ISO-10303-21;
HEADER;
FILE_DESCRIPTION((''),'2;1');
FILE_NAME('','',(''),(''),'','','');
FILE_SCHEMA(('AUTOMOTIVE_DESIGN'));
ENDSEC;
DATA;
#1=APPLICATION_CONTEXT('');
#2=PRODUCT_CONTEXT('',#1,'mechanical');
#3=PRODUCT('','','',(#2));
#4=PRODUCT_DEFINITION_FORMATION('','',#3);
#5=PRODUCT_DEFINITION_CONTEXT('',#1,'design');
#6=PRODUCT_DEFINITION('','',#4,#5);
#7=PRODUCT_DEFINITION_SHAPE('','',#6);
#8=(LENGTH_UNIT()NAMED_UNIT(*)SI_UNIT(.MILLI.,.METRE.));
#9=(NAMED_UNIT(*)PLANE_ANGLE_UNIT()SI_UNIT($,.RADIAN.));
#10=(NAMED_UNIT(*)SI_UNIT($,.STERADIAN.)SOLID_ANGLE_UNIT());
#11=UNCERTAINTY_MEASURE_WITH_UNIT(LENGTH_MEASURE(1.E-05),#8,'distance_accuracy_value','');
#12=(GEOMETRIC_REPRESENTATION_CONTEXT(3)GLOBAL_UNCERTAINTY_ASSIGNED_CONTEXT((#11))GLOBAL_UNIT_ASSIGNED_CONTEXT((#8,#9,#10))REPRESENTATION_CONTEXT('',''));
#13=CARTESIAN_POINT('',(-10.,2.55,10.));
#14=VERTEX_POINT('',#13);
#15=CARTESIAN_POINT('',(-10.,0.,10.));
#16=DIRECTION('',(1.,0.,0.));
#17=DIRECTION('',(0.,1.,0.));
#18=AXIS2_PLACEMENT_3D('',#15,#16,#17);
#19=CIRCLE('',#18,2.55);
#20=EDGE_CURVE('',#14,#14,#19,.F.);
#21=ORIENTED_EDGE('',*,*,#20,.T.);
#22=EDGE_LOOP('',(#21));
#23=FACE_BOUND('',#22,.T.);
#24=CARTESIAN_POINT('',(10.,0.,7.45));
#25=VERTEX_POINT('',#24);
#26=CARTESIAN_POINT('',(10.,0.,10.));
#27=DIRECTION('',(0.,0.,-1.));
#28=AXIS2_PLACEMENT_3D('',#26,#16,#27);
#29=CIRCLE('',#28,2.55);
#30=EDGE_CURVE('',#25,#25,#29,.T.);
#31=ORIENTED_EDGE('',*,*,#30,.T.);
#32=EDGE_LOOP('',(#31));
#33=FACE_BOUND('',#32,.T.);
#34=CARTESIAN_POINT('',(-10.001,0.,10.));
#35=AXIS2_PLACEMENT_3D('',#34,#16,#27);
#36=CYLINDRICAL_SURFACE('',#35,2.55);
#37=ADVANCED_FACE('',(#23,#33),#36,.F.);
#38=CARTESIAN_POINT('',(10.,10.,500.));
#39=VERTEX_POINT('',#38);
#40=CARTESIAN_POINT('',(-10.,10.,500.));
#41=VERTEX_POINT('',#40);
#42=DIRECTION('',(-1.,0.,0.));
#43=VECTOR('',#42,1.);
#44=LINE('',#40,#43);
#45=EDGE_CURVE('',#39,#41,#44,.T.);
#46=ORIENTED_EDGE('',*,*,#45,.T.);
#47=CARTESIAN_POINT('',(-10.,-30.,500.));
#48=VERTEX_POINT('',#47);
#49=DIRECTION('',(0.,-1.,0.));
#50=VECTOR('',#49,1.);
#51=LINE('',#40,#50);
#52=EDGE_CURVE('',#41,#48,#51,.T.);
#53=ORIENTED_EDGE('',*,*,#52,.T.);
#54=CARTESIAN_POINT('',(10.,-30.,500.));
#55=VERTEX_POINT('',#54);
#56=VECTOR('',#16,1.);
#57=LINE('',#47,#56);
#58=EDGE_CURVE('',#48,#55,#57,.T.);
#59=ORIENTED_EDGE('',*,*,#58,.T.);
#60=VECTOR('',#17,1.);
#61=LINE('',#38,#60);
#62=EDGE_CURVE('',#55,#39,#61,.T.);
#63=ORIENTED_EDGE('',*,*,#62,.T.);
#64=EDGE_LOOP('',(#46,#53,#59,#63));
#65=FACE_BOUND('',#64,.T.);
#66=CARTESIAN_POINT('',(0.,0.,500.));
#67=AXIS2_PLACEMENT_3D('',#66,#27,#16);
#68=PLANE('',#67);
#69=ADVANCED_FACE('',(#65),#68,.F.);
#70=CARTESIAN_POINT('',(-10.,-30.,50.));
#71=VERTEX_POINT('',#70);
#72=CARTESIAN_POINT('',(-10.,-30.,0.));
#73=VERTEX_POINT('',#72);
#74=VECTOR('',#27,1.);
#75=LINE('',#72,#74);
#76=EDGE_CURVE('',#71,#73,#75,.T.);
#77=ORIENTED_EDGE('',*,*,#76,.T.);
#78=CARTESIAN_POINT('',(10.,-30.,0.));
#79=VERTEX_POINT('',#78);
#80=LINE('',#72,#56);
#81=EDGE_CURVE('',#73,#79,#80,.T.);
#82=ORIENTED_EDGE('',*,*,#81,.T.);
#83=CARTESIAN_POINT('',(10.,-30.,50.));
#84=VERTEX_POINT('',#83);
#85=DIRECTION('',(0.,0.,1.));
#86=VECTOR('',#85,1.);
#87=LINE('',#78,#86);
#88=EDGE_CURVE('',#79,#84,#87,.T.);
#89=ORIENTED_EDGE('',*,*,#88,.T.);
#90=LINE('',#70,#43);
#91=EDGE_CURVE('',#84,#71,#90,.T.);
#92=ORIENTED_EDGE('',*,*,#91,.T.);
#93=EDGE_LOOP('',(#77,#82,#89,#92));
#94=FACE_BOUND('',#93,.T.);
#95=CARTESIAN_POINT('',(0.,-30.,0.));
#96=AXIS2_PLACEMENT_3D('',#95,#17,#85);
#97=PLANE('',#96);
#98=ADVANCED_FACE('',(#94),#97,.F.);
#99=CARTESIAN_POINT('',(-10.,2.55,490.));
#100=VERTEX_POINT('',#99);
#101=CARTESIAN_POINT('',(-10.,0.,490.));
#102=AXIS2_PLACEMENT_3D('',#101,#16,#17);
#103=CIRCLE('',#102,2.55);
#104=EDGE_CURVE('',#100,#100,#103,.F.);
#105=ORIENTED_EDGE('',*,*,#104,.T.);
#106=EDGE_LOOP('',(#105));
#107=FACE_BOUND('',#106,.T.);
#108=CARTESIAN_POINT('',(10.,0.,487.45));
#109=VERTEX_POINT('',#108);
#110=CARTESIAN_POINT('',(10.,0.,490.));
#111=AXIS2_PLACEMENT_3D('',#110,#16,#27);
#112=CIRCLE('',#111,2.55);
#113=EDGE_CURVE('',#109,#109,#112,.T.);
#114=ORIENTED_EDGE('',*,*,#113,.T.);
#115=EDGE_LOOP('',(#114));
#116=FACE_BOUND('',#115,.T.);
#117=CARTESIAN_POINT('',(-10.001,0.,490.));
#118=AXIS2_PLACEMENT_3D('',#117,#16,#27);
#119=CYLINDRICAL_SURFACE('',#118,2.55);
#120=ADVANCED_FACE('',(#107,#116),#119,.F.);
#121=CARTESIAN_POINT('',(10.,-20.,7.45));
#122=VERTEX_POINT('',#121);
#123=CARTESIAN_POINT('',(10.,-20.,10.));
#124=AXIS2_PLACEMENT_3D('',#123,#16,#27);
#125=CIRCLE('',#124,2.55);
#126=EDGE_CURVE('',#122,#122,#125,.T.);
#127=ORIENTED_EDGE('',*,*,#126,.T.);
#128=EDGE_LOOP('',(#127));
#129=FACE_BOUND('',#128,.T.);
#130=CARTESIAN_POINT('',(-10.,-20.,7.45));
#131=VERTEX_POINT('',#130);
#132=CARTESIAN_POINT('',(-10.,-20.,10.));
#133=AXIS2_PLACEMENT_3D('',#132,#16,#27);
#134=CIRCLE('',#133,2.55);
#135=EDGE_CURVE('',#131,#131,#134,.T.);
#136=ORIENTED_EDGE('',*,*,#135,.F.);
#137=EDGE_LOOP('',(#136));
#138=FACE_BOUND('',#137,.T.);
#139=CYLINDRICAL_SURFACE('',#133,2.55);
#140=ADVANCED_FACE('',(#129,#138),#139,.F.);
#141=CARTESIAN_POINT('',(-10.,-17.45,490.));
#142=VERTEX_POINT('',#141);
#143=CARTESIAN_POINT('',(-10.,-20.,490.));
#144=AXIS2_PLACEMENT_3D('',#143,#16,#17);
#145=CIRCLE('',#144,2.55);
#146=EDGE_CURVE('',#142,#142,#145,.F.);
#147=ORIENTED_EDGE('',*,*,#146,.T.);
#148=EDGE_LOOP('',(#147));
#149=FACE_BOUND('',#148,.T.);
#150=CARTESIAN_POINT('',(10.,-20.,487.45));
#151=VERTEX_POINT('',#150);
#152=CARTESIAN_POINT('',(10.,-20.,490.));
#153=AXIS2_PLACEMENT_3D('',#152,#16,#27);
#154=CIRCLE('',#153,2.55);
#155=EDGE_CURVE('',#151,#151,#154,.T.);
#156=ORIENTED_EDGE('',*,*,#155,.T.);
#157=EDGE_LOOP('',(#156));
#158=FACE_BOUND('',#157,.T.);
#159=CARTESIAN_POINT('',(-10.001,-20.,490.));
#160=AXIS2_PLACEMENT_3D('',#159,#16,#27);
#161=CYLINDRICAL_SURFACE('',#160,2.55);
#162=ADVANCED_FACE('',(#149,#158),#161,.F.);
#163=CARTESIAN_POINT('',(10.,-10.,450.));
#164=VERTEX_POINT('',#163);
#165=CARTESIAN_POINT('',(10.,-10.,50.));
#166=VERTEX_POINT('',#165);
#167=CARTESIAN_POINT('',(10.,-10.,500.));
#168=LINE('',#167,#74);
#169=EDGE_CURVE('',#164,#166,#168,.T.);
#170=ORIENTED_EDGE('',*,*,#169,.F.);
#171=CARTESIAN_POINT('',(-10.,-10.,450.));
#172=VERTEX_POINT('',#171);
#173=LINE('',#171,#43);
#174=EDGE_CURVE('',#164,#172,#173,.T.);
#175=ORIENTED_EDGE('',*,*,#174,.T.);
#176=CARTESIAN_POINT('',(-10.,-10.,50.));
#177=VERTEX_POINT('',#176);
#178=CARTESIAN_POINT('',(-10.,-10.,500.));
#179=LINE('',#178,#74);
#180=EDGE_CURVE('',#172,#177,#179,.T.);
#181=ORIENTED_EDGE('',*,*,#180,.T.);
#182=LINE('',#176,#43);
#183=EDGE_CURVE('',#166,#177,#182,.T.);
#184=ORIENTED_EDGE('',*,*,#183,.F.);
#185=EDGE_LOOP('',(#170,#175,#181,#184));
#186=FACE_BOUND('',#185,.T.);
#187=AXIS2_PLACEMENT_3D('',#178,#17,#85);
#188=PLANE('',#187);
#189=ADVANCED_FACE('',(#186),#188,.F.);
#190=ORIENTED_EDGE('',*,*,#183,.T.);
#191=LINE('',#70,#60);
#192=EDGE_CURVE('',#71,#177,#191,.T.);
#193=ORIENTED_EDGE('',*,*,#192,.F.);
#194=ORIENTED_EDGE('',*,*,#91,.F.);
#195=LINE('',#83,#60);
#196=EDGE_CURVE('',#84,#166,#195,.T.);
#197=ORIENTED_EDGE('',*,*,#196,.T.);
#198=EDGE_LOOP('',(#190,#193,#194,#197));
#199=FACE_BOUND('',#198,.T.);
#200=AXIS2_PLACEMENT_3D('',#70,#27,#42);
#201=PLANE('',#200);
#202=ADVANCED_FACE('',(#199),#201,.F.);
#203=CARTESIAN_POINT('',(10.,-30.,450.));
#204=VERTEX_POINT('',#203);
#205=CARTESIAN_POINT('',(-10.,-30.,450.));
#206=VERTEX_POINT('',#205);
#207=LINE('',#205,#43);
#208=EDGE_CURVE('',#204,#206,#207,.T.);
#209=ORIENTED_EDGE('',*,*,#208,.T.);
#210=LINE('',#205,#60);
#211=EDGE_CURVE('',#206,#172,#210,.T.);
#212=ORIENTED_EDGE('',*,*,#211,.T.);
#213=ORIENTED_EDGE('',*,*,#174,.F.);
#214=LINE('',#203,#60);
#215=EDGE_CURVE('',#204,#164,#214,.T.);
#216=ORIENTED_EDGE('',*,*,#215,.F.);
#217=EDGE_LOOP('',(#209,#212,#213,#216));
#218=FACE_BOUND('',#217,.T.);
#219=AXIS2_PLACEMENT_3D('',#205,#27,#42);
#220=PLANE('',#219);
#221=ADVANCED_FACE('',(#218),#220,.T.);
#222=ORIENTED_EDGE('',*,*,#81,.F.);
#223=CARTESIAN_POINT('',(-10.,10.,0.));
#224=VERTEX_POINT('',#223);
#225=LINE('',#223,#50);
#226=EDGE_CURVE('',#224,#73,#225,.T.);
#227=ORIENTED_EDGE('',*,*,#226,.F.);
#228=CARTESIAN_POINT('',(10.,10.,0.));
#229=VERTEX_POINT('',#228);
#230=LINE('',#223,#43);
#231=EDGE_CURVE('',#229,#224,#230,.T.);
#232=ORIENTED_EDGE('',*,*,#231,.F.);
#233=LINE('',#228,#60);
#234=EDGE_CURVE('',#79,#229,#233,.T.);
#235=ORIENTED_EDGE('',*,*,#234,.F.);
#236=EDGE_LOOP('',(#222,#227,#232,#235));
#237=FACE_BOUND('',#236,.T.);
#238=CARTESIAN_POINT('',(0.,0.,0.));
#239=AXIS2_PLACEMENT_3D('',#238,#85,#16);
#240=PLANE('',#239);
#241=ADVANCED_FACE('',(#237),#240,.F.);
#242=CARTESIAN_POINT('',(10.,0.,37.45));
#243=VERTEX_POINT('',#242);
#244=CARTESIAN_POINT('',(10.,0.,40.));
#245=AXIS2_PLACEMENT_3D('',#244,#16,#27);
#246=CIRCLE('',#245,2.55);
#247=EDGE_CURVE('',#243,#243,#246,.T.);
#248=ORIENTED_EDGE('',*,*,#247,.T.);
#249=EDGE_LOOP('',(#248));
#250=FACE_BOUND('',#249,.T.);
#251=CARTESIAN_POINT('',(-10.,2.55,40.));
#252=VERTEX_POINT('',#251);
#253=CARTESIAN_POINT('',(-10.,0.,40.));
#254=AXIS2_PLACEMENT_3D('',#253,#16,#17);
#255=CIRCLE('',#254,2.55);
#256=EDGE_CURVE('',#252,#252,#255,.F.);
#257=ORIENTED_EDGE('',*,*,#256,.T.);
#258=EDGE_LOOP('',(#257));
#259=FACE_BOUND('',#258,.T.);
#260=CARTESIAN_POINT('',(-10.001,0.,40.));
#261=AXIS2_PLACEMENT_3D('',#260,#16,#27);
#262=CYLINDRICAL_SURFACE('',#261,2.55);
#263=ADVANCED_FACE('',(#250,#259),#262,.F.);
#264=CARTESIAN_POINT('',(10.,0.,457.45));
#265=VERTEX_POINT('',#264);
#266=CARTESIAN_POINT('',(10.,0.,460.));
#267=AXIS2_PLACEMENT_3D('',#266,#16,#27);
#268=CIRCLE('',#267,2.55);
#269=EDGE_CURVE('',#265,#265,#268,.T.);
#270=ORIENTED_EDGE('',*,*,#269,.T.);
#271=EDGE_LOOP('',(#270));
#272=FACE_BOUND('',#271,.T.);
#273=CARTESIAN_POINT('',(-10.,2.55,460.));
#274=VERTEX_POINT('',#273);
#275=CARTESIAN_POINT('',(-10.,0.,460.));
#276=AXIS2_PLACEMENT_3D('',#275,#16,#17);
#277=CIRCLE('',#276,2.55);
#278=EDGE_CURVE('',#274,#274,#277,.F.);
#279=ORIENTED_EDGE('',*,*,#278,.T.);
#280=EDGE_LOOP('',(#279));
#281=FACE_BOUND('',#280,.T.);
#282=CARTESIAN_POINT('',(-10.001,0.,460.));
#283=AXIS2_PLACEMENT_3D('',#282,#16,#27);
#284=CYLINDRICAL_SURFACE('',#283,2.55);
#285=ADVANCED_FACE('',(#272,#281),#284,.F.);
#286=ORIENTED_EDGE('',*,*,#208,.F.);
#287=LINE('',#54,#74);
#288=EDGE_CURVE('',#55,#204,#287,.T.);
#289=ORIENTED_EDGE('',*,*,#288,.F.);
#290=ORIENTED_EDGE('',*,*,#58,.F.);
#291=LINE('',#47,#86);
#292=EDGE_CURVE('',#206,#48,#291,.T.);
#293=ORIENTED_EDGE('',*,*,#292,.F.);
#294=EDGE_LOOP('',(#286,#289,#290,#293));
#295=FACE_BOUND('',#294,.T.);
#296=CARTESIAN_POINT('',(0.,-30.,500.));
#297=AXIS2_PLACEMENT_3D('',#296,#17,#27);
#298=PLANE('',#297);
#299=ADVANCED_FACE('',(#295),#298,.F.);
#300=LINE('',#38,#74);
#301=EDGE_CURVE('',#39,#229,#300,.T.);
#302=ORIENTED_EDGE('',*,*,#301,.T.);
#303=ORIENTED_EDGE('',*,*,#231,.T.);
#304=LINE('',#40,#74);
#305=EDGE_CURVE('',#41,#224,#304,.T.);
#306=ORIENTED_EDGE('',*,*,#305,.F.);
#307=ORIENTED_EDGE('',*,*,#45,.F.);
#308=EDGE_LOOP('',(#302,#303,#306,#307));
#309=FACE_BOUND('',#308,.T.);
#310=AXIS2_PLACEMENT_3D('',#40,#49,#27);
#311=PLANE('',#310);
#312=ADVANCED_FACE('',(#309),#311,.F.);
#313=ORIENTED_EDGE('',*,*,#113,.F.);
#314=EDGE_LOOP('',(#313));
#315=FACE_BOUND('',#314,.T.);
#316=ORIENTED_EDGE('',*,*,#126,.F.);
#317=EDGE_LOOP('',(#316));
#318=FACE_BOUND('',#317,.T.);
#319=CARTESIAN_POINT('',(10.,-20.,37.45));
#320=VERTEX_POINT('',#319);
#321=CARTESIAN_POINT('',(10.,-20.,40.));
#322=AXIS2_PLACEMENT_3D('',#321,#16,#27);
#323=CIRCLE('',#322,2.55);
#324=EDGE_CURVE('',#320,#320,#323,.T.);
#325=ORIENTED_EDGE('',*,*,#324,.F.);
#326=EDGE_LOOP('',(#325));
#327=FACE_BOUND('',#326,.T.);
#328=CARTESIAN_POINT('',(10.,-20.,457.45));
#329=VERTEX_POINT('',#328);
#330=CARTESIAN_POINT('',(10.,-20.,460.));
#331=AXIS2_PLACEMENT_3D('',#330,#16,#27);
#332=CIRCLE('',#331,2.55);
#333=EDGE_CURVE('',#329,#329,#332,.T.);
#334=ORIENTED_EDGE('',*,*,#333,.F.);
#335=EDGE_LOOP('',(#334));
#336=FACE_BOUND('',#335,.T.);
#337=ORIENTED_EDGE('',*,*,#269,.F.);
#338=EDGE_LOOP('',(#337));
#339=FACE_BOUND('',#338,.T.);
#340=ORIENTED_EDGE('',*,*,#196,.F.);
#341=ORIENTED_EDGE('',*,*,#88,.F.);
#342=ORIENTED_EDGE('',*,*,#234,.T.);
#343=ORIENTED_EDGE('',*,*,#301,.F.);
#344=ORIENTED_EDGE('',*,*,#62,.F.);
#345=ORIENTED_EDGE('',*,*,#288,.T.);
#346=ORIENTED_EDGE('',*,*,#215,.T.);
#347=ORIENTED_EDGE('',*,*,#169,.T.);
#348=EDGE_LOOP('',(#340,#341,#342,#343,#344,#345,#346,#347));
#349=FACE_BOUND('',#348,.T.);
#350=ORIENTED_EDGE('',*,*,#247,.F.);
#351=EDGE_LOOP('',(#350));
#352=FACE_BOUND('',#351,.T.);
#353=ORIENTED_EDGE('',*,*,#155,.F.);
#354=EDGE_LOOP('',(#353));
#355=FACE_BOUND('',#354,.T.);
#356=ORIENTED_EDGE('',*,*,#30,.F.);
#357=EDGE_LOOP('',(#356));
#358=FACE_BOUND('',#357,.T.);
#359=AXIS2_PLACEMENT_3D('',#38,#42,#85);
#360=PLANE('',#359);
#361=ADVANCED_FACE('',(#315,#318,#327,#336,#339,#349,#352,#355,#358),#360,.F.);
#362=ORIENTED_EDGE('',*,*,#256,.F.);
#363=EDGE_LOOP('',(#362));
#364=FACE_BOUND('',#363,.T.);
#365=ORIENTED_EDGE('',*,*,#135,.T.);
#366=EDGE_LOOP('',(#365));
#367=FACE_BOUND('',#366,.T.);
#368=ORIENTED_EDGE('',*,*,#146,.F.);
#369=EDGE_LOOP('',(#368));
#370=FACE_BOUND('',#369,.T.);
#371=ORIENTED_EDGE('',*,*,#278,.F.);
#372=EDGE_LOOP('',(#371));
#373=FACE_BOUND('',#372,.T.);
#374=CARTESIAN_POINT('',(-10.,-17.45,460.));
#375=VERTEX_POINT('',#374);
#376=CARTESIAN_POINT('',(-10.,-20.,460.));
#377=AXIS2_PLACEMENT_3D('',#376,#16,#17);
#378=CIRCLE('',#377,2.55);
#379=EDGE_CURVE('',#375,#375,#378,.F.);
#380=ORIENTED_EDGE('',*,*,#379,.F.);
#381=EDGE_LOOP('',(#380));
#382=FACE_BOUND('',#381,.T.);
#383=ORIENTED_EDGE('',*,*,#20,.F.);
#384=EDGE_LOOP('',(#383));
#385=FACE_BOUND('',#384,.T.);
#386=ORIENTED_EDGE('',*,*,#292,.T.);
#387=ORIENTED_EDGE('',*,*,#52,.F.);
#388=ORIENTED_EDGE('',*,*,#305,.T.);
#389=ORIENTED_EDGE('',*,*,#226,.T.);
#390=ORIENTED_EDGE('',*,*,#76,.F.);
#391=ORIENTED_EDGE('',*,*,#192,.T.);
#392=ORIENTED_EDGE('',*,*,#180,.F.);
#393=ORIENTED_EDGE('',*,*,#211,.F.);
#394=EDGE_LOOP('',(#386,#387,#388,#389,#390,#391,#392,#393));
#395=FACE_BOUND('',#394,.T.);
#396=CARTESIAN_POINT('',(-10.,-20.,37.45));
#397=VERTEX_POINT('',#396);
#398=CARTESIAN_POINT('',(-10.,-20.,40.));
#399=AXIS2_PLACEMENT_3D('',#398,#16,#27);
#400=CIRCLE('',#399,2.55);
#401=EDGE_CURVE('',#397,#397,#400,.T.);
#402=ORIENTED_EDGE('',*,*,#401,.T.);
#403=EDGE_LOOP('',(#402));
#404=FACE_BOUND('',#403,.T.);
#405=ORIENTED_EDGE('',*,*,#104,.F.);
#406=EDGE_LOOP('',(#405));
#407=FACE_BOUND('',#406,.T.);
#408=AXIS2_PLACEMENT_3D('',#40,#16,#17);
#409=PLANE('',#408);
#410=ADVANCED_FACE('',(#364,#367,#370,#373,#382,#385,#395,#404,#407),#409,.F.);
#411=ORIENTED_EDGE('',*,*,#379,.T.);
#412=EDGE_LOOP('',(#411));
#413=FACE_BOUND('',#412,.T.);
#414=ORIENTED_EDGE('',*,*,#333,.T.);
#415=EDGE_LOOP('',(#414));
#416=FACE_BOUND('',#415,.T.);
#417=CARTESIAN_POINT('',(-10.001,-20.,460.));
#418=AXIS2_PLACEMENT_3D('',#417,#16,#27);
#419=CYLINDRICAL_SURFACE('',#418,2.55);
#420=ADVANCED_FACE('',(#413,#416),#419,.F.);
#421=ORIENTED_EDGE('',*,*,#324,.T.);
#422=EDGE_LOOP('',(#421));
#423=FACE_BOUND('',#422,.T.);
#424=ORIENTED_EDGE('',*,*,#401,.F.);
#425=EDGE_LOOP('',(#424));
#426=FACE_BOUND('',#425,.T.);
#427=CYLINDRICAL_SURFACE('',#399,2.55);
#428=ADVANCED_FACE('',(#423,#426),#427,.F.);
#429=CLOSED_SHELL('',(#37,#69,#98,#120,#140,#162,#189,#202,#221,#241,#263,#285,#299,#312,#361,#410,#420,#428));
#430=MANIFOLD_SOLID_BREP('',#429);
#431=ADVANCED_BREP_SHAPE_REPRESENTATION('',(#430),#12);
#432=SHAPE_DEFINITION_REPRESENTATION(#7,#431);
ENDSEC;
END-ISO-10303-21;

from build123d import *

# Parameters (mm, degrees)
SKETCH_1_W          = 20
SKETCH_1_H          = 20
EXTRUDE_2_DEPTH     = 500
CUT_EXTRUDE_1_REACH = 502.5
SKETCH_2_R          = 2.55
SKETCH_3_W          = 20
SKETCH_3_H          = 50
EXTRUDE_3_DEPTH     = 20
SKETCH_4_R          = 2.55
CUT_EXTRUDE_2_DEPTH = 20
SKETCH_5_W          = 20
SKETCH_5_H          = 20
CUT_EXTRUDE_3_DEPTH = 250
CUT_EXTRUDE_4_REACH = 503.298
SKETCH_6_R          = 2.55


with BuildPart() as part:
    # 草图1 → 凸台-拉伸2 (new body)
    with BuildSketch(Plane.XY):
        Rectangle(SKETCH_1_W, SKETCH_1_H)
    extrude_2 = extrude(amount=EXTRUDE_2_DEPTH)

    # 草图2 → 切除-拉伸1 (cut, up to next)
    with BuildSketch(Plane(origin=(10, 0, 0), x_dir=(0, 0, -1), z_dir=(1, 0, 0)), mode=Mode.PRIVATE) as cut_extrude_1_sk1:
        with Locations((-10, 0)):
            Circle(SKETCH_2_R)
    cut_extrude_1_tool1 = extrude(cut_extrude_1_sk1.sketch, amount=-CUT_EXTRUDE_1_REACH, mode=Mode.PRIVATE) & part.part
    # 草图2 → 切除-拉伸1 (cut, up to next)
    with BuildSketch(Plane(origin=(10, 0, 0), x_dir=(0, 0, -1), z_dir=(1, 0, 0)), mode=Mode.PRIVATE) as cut_extrude_1_sk2:
        with Locations((-40, 0)):
            Circle(SKETCH_2_R)
    cut_extrude_1_tool2 = extrude(cut_extrude_1_sk2.sketch, amount=-CUT_EXTRUDE_1_REACH, mode=Mode.PRIVATE) & part.part
    add(cut_extrude_1_tool1.solids().sort_by_distance((10, 0, 10))[0], mode=Mode.SUBTRACT)
    add(cut_extrude_1_tool2.solids().sort_by_distance((10, 0, 40))[0], mode=Mode.SUBTRACT)

    # 草图3 → 凸台-拉伸3 (add)
    with BuildSketch(Plane.XZ.offset(10)):
        with Locations((0, 25)):
            Rectangle(SKETCH_3_W, SKETCH_3_H)
    extrude_3 = extrude(amount=EXTRUDE_3_DEPTH)

    # 草图4 → 切除-拉伸2 (cut)
    with BuildSketch(Plane(origin=(10, 0, 0), x_dir=(0, 0, -1), z_dir=(1, 0, 0))):
        with Locations((-40, -20)):
            Circle(SKETCH_4_R)
        with Locations((-10, -20)):
            Circle(SKETCH_4_R)
    extrude(amount=-CUT_EXTRUDE_2_DEPTH, mode=Mode.SUBTRACT)

    # 草图5 → 切除-拉伸3 (cut)
    with BuildSketch(Plane.XY.offset(500)):
        Rectangle(SKETCH_5_W, SKETCH_5_H)
    extrude(amount=-CUT_EXTRUDE_3_DEPTH, mode=Mode.SUBTRACT)

    # 镜向2: 凸台-拉伸2, 凸台-拉伸3 across plane
    add(extrude_2.mirror(Plane(origin=(0, 0, 250), x_dir=(1, 0, 0), z_dir=(0, 0, -1))))
    add(extrude_3.mirror(Plane(origin=(0, 0, 250), x_dir=(1, 0, 0), z_dir=(0, 0, -1))))

    # 草图6 → 切除-拉伸4 (cut, up to next)
    with BuildSketch(Plane(origin=(10, 0, 0), x_dir=(0, 0, -1), z_dir=(1, 0, 0)), mode=Mode.PRIVATE) as cut_extrude_4_sk1:
        with Locations((-490, 0)):
            Circle(SKETCH_6_R)
    cut_extrude_4_tool1 = extrude(cut_extrude_4_sk1.sketch, amount=-CUT_EXTRUDE_4_REACH, mode=Mode.PRIVATE) & part.part
    # 草图6 → 切除-拉伸4 (cut, up to next)
    with BuildSketch(Plane(origin=(10, 0, 0), x_dir=(0, 0, -1), z_dir=(1, 0, 0)), mode=Mode.PRIVATE) as cut_extrude_4_sk2:
        with Locations((-460, 0)):
            Circle(SKETCH_6_R)
    cut_extrude_4_tool2 = extrude(cut_extrude_4_sk2.sketch, amount=-CUT_EXTRUDE_4_REACH, mode=Mode.PRIVATE) & part.part
    # 草图6 → 切除-拉伸4 (cut, up to next)
    with BuildSketch(Plane(origin=(10, 0, 0), x_dir=(0, 0, -1), z_dir=(1, 0, 0)), mode=Mode.PRIVATE) as cut_extrude_4_sk3:
        with Locations((-460, -20)):
            Circle(SKETCH_6_R)
    cut_extrude_4_tool3 = extrude(cut_extrude_4_sk3.sketch, amount=-CUT_EXTRUDE_4_REACH, mode=Mode.PRIVATE) & part.part
    # 草图6 → 切除-拉伸4 (cut, up to next)
    with BuildSketch(Plane(origin=(10, 0, 0), x_dir=(0, 0, -1), z_dir=(1, 0, 0)), mode=Mode.PRIVATE) as cut_extrude_4_sk4:
        with Locations((-490, -20)):
            Circle(SKETCH_6_R)
    cut_extrude_4_tool4 = extrude(cut_extrude_4_sk4.sketch, amount=-CUT_EXTRUDE_4_REACH, mode=Mode.PRIVATE) & part.part
    # 草图6 → 切除-拉伸4 (cut, up to next)
    with BuildSketch(Plane(origin=(10, 0, 0), x_dir=(0, 0, -1), z_dir=(1, 0, 0)), mode=Mode.PRIVATE) as cut_extrude_4_sk5:
        with Locations((-10, 0)):
            Circle(SKETCH_6_R)
    cut_extrude_4_tool5 = extrude(cut_extrude_4_sk5.sketch, amount=-CUT_EXTRUDE_4_REACH, mode=Mode.PRIVATE) & part.part
    # 草图6 → 切除-拉伸4 (cut, up to next)
    with BuildSketch(Plane(origin=(10, 0, 0), x_dir=(0, 0, -1), z_dir=(1, 0, 0)), mode=Mode.PRIVATE) as cut_extrude_4_sk6:
        with Locations((-40, 0)):
            Circle(SKETCH_6_R)
    cut_extrude_4_tool6 = extrude(cut_extrude_4_sk6.sketch, amount=-CUT_EXTRUDE_4_REACH, mode=Mode.PRIVATE) & part.part
    add(cut_extrude_4_tool1.solids().sort_by_distance((10, 0, 490))[0], mode=Mode.SUBTRACT)
    add(cut_extrude_4_tool2.solids().sort_by_distance((10, 0, 460))[0], mode=Mode.SUBTRACT)
    add(cut_extrude_4_tool3.solids().sort_by_distance((10, -20, 460))[0], mode=Mode.SUBTRACT)
    add(cut_extrude_4_tool4.solids().sort_by_distance((10, -20, 490))[0], mode=Mode.SUBTRACT)
    add(cut_extrude_4_tool5.solids().sort_by_distance((10, 0, 10))[0], mode=Mode.SUBTRACT)
    add(cut_extrude_4_tool6.solids().sort_by_distance((10, 0, 40))[0], mode=Mode.SUBTRACT)


solid = part.part
